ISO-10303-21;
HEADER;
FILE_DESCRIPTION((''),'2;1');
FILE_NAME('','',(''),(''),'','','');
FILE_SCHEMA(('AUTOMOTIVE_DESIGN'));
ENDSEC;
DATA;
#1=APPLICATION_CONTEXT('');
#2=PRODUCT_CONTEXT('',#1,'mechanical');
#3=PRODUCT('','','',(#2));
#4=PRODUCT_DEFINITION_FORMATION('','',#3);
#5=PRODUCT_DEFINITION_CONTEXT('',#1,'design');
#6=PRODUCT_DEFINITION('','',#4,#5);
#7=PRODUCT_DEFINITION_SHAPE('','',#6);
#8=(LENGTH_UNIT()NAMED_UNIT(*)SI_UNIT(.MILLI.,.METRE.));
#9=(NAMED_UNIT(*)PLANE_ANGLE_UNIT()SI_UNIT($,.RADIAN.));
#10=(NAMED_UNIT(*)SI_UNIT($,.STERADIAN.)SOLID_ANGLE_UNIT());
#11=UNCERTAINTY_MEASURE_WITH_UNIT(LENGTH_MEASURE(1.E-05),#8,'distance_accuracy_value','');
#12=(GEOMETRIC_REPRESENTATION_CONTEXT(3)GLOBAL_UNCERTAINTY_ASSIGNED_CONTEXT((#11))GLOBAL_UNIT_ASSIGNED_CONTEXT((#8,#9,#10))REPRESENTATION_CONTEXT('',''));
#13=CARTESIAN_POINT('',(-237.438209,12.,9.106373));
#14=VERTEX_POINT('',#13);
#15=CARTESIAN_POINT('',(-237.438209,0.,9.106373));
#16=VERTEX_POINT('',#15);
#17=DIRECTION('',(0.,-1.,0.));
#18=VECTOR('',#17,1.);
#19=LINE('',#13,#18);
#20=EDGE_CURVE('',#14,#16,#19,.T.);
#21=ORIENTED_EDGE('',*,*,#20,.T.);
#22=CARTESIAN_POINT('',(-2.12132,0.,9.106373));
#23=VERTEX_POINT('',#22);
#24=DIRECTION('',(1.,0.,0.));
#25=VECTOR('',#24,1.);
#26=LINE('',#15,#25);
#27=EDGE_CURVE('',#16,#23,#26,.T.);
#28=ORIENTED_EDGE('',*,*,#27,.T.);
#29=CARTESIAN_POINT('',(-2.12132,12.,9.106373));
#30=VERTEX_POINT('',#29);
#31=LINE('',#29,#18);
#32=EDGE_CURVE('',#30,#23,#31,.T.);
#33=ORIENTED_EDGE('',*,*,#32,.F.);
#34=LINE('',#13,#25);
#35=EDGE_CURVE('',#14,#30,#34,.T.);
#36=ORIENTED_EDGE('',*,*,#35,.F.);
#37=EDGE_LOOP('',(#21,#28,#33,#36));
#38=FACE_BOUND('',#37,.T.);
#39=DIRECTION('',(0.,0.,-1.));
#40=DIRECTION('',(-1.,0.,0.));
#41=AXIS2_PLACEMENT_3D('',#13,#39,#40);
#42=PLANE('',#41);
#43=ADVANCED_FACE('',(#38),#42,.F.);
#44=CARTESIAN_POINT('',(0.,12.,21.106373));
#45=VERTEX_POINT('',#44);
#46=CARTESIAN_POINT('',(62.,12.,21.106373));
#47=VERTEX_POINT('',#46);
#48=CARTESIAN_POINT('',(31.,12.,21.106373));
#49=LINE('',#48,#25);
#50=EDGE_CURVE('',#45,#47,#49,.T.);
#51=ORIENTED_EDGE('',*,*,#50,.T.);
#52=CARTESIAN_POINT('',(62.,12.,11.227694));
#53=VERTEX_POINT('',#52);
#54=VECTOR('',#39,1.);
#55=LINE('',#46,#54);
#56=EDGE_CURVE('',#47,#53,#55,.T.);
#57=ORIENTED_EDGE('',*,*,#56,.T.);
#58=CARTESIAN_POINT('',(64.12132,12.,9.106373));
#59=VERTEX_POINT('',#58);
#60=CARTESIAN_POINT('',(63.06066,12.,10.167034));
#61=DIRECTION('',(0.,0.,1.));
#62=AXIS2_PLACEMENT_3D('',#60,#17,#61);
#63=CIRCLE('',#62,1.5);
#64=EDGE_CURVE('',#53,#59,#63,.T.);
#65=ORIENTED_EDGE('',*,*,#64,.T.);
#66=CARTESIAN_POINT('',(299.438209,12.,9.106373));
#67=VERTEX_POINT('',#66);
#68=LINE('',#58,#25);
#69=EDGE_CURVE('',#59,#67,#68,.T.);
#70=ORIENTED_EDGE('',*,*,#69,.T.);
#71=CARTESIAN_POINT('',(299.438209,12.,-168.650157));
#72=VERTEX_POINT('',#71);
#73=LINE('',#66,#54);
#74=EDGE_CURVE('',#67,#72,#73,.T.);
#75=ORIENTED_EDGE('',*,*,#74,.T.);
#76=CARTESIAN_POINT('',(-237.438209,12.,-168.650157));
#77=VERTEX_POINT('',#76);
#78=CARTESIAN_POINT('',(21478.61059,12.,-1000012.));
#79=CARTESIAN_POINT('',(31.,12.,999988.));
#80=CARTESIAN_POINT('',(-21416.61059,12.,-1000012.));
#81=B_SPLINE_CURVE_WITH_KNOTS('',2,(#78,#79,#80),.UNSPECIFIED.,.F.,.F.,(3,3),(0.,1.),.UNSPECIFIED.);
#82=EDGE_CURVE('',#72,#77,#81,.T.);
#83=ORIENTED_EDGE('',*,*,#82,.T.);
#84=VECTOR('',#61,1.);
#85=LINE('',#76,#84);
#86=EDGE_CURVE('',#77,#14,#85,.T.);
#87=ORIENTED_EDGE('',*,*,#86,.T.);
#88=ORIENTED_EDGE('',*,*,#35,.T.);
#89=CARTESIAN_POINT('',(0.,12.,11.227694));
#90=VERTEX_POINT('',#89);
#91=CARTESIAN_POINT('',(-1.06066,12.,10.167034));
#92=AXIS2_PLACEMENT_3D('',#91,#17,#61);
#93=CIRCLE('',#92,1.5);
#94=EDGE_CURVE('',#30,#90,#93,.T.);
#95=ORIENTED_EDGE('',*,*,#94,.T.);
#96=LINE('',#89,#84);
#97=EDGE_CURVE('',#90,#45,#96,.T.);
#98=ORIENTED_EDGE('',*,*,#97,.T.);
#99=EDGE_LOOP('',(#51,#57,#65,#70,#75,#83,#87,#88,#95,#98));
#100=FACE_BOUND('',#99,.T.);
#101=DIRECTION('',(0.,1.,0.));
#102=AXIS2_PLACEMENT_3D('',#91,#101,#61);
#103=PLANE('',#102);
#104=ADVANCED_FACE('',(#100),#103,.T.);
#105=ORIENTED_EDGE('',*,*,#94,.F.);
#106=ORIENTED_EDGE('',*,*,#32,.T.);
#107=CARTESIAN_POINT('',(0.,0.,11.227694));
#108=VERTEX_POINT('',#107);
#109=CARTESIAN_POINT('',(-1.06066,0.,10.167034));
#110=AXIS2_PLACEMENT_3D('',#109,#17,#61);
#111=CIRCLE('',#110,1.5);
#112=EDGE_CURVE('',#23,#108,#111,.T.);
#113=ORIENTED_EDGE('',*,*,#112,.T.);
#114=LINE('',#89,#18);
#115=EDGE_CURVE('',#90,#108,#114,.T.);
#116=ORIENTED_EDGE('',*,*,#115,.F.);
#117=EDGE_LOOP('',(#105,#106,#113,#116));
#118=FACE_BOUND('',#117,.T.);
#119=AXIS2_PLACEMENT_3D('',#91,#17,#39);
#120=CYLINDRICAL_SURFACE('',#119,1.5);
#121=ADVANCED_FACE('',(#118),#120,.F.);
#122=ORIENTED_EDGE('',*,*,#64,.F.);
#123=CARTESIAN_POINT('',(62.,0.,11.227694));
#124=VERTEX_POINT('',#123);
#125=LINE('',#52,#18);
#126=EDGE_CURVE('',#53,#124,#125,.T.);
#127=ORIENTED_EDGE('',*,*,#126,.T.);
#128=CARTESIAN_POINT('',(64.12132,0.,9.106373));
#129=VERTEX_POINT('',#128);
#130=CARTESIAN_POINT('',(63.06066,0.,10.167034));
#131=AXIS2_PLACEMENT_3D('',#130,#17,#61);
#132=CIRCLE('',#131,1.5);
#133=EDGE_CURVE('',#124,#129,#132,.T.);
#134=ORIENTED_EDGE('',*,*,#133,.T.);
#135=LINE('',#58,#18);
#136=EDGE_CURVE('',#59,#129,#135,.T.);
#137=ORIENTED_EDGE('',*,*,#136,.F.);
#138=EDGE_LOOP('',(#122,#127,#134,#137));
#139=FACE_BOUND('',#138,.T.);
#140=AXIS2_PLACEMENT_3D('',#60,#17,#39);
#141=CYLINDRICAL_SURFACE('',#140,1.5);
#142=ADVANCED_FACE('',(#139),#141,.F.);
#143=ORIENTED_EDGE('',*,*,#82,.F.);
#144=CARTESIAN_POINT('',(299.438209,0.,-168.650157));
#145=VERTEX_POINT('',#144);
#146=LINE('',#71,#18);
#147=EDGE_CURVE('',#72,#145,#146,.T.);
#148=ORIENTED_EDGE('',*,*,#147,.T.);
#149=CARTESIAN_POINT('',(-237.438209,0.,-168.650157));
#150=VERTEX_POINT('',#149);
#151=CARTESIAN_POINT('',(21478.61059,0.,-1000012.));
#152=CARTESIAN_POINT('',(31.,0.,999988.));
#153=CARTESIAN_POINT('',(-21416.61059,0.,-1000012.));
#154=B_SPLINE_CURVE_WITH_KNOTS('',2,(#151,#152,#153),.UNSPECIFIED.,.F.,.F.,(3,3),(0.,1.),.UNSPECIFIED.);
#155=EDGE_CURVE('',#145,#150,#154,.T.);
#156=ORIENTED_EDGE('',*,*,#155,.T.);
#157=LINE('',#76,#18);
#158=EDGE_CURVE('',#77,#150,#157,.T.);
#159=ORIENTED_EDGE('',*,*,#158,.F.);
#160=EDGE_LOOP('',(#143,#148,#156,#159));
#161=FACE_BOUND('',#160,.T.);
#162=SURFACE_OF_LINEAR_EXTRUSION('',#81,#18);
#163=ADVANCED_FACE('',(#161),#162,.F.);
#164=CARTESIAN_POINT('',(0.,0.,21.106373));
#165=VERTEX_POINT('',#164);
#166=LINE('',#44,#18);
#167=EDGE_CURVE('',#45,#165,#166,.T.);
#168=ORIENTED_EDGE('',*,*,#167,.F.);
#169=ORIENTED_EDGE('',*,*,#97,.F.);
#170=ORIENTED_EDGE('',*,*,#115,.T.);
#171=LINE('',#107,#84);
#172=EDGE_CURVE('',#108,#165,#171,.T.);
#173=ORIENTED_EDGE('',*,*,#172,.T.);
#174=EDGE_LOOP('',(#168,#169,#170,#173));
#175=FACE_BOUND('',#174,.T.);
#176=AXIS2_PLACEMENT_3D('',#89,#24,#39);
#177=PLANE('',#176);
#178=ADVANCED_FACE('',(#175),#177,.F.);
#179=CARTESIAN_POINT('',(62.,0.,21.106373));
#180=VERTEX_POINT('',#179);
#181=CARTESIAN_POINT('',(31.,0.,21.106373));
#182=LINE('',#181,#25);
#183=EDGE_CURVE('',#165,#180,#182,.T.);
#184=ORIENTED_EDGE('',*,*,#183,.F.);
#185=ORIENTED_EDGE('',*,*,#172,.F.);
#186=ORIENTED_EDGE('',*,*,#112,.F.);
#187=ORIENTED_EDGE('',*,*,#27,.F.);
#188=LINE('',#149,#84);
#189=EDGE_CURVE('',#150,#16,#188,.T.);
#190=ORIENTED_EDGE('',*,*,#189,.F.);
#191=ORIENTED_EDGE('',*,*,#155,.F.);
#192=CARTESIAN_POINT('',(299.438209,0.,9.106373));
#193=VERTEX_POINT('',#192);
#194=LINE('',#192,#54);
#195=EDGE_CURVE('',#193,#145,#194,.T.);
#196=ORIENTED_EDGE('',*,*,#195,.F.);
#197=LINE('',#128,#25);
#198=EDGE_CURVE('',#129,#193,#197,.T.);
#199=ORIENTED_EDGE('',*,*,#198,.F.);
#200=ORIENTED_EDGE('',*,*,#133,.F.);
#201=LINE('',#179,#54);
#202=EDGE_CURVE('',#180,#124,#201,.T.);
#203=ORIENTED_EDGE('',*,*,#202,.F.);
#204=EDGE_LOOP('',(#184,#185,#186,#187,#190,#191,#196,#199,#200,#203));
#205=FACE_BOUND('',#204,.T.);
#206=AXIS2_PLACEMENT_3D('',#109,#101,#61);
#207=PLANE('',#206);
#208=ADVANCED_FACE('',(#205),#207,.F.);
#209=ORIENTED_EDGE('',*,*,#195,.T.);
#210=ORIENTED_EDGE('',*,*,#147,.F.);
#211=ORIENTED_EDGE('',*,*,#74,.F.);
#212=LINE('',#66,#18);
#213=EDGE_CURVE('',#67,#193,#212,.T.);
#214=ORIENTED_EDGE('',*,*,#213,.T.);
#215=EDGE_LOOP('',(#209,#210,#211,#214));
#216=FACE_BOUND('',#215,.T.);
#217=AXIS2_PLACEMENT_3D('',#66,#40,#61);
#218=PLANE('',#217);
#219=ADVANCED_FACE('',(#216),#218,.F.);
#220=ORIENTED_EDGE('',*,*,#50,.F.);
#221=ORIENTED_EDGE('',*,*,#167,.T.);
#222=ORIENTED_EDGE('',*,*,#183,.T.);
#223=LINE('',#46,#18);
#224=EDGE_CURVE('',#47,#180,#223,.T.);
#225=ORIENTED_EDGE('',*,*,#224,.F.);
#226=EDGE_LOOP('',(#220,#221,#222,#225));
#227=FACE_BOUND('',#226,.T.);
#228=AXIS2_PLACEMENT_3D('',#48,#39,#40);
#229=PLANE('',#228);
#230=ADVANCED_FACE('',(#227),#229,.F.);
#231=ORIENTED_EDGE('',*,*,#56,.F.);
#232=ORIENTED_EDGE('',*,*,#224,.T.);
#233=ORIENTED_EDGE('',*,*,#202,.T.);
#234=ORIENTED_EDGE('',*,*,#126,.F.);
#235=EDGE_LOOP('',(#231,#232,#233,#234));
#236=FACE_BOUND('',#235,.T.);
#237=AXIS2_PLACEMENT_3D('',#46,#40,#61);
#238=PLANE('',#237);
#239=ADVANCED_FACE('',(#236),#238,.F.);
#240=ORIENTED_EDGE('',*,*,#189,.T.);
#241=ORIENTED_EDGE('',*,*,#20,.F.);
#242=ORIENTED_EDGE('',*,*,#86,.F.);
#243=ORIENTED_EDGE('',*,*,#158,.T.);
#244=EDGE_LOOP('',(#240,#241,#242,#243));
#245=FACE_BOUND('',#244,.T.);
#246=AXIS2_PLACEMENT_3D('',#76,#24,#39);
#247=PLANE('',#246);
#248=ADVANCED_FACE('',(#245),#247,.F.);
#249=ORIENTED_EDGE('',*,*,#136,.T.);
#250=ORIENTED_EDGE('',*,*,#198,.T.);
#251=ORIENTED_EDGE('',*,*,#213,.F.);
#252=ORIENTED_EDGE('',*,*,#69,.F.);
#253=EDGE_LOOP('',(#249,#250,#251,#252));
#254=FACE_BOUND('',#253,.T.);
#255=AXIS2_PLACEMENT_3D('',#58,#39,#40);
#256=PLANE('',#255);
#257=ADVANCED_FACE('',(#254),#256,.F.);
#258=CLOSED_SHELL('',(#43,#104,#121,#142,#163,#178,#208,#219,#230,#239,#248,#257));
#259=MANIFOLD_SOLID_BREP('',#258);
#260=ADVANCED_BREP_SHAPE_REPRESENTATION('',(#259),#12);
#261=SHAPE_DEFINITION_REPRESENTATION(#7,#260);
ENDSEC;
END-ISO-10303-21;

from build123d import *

# Parameters (mm, degrees)
SALIENTE_EXTRUIR1_DEPTH = 12


with BuildPart() as part:
    # Croquis1 → Saliente-Extruir1 (new body)
    with BuildSketch(Plane(origin=(0, 0, 0), x_dir=(1, 0, 0), z_dir=(0, 1, 0))):
        with BuildLine():
            Line((-237.438208893, 168.650156508), (-237.438208893, -9.106373442))
            Line((-237.438208893, -9.106373442), (-2.121320344, -9.106373442))
            ThreePointArc((-2.121320344, -9.106373442), (0, -9.106373442), (0, -11.227693785))
            Line((0, -11.227693785), (0, -21.106373442))
            Line((0, -21.106373442), (31, -21.106373442))
            Line((31, -21.106373442), (62, -21.106373442))
            Line((62, -21.106373442), (62, -11.227693785))
            ThreePointArc((62, -11.227693785), (62, -9.106373442), (64.121320344, -9.106373442))
            Line((64.121320344, -9.106373442), (299.438208893, -9.106373442))
            Line((299.438208893, -9.106373442), (299.438208893, 168.650156508))
            add(Edge.make_bspline(
                [(299.438208893, 168.650156508), (165.219104447, 12), (31, 12)],
                knots=[0, 0, 0, 1, 1, 1], degree=2))
            add(Edge.make_bspline(
                [(31, 12), (-103.219104447, 12), (-237.438208893, 168.650156508)],
                knots=[0, 0, 0, 1, 1, 1], degree=2))
        make_face()
    extrude(amount=SALIENTE_EXTRUIR1_DEPTH)


solid = part.part
